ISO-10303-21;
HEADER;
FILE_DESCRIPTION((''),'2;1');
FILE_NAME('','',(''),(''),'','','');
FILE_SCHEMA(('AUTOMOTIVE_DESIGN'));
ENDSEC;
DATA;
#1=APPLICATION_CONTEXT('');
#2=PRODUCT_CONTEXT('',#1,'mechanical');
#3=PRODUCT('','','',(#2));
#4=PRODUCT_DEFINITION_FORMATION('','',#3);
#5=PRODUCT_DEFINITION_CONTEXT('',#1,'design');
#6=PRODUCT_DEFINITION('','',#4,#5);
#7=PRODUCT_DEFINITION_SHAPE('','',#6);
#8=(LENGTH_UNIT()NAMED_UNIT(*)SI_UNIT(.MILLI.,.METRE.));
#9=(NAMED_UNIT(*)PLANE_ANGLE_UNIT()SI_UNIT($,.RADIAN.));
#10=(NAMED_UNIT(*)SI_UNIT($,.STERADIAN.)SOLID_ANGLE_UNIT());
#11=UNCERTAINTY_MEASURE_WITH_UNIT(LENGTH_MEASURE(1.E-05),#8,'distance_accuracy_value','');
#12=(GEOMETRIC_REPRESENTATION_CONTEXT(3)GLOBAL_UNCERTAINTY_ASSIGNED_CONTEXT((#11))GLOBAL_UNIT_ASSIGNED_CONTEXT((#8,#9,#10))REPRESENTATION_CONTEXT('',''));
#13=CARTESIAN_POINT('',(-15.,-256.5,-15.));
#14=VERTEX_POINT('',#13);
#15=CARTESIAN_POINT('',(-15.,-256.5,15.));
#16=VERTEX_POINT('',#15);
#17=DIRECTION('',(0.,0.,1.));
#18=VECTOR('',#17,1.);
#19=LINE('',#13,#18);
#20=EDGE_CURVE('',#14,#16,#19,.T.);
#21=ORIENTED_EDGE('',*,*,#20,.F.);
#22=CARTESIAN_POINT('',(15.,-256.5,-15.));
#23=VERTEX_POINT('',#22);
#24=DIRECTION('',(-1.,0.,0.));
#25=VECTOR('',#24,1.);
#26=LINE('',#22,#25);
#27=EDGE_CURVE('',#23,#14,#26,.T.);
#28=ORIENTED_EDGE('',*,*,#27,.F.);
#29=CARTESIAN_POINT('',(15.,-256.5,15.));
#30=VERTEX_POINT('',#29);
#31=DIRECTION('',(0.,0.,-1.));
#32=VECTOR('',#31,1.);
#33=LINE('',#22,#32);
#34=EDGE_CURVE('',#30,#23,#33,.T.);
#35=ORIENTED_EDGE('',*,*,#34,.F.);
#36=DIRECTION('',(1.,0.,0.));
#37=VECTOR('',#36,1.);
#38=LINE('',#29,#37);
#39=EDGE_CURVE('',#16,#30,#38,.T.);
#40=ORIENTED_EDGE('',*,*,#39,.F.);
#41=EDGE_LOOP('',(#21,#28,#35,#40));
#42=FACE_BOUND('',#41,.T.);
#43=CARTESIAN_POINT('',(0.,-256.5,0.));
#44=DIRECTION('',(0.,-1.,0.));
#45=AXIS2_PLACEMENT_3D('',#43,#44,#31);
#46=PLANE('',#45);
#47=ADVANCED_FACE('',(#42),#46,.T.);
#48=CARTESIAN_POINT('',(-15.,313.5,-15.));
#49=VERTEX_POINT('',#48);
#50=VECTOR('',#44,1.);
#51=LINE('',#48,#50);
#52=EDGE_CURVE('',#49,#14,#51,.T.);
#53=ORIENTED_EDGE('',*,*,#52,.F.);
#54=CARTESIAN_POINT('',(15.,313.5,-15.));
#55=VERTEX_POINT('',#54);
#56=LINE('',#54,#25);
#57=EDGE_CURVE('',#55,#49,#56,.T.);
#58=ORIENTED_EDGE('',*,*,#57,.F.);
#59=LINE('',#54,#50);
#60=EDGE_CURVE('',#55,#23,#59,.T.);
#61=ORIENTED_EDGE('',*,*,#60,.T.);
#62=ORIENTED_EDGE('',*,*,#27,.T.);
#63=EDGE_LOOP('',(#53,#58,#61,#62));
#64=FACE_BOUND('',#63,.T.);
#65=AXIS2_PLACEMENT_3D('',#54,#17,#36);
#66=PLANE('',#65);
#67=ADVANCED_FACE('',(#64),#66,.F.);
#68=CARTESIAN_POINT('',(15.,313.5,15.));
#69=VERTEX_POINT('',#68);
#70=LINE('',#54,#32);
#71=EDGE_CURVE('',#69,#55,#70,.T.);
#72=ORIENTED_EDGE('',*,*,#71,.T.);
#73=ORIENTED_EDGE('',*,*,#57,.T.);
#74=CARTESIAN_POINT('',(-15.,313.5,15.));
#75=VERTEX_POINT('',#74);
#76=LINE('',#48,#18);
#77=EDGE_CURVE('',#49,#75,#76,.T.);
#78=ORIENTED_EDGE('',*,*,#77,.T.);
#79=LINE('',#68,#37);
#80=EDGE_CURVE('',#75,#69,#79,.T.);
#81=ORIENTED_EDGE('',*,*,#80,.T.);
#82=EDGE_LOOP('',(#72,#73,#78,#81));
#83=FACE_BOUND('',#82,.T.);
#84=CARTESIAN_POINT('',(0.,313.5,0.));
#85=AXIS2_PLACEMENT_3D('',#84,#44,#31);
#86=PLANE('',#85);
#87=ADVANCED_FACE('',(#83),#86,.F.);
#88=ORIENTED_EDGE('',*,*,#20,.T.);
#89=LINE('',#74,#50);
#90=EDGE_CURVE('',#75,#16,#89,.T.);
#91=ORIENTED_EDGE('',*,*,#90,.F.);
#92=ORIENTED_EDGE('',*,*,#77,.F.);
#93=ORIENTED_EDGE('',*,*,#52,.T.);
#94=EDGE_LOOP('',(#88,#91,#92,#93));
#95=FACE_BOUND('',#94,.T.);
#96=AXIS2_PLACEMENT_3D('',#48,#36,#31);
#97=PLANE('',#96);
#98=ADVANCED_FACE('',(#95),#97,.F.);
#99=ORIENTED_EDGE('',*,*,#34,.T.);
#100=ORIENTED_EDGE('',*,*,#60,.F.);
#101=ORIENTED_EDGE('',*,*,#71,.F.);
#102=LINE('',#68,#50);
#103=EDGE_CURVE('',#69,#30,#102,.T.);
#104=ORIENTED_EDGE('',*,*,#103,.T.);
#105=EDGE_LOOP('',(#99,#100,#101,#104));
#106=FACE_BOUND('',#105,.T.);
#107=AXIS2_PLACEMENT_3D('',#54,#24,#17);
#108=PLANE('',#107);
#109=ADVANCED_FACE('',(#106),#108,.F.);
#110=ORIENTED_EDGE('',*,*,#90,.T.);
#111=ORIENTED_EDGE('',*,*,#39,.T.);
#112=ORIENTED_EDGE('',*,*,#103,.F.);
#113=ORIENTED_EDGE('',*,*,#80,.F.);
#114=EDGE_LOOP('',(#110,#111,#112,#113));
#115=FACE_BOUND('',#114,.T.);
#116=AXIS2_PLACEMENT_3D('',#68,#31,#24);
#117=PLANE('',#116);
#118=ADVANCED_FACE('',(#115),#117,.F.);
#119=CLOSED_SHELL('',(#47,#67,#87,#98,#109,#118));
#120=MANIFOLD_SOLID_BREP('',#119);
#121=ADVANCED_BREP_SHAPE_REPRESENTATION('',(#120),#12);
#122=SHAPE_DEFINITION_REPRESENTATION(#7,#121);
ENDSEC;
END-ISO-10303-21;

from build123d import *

# Parameters (mm, degrees)
SKETCH1_W           = 3
SKETCH1_H           = 3
BOSS_EXTRUDE1_DEPTH = 57
SCALE1_SCALE        = 10


with BuildPart() as part:
    # Sketch1 → Boss-Extrude1 (new body)
    with BuildSketch(Plane(origin=(0, 0, 0), x_dir=(1, 0, 0), z_dir=(0, 1, 0))):
        Rectangle(SKETCH1_W, SKETCH1_H)
    extrude(amount=BOSS_EXTRUDE1_DEPTH)


with BuildPart() as part_1:
    # Scale1: scaled about (0, 28.5, 0)
    add(part.part.scale(SCALE1_SCALE).moved(Location((0, -256.5, 0))))


solid = part_1.part
